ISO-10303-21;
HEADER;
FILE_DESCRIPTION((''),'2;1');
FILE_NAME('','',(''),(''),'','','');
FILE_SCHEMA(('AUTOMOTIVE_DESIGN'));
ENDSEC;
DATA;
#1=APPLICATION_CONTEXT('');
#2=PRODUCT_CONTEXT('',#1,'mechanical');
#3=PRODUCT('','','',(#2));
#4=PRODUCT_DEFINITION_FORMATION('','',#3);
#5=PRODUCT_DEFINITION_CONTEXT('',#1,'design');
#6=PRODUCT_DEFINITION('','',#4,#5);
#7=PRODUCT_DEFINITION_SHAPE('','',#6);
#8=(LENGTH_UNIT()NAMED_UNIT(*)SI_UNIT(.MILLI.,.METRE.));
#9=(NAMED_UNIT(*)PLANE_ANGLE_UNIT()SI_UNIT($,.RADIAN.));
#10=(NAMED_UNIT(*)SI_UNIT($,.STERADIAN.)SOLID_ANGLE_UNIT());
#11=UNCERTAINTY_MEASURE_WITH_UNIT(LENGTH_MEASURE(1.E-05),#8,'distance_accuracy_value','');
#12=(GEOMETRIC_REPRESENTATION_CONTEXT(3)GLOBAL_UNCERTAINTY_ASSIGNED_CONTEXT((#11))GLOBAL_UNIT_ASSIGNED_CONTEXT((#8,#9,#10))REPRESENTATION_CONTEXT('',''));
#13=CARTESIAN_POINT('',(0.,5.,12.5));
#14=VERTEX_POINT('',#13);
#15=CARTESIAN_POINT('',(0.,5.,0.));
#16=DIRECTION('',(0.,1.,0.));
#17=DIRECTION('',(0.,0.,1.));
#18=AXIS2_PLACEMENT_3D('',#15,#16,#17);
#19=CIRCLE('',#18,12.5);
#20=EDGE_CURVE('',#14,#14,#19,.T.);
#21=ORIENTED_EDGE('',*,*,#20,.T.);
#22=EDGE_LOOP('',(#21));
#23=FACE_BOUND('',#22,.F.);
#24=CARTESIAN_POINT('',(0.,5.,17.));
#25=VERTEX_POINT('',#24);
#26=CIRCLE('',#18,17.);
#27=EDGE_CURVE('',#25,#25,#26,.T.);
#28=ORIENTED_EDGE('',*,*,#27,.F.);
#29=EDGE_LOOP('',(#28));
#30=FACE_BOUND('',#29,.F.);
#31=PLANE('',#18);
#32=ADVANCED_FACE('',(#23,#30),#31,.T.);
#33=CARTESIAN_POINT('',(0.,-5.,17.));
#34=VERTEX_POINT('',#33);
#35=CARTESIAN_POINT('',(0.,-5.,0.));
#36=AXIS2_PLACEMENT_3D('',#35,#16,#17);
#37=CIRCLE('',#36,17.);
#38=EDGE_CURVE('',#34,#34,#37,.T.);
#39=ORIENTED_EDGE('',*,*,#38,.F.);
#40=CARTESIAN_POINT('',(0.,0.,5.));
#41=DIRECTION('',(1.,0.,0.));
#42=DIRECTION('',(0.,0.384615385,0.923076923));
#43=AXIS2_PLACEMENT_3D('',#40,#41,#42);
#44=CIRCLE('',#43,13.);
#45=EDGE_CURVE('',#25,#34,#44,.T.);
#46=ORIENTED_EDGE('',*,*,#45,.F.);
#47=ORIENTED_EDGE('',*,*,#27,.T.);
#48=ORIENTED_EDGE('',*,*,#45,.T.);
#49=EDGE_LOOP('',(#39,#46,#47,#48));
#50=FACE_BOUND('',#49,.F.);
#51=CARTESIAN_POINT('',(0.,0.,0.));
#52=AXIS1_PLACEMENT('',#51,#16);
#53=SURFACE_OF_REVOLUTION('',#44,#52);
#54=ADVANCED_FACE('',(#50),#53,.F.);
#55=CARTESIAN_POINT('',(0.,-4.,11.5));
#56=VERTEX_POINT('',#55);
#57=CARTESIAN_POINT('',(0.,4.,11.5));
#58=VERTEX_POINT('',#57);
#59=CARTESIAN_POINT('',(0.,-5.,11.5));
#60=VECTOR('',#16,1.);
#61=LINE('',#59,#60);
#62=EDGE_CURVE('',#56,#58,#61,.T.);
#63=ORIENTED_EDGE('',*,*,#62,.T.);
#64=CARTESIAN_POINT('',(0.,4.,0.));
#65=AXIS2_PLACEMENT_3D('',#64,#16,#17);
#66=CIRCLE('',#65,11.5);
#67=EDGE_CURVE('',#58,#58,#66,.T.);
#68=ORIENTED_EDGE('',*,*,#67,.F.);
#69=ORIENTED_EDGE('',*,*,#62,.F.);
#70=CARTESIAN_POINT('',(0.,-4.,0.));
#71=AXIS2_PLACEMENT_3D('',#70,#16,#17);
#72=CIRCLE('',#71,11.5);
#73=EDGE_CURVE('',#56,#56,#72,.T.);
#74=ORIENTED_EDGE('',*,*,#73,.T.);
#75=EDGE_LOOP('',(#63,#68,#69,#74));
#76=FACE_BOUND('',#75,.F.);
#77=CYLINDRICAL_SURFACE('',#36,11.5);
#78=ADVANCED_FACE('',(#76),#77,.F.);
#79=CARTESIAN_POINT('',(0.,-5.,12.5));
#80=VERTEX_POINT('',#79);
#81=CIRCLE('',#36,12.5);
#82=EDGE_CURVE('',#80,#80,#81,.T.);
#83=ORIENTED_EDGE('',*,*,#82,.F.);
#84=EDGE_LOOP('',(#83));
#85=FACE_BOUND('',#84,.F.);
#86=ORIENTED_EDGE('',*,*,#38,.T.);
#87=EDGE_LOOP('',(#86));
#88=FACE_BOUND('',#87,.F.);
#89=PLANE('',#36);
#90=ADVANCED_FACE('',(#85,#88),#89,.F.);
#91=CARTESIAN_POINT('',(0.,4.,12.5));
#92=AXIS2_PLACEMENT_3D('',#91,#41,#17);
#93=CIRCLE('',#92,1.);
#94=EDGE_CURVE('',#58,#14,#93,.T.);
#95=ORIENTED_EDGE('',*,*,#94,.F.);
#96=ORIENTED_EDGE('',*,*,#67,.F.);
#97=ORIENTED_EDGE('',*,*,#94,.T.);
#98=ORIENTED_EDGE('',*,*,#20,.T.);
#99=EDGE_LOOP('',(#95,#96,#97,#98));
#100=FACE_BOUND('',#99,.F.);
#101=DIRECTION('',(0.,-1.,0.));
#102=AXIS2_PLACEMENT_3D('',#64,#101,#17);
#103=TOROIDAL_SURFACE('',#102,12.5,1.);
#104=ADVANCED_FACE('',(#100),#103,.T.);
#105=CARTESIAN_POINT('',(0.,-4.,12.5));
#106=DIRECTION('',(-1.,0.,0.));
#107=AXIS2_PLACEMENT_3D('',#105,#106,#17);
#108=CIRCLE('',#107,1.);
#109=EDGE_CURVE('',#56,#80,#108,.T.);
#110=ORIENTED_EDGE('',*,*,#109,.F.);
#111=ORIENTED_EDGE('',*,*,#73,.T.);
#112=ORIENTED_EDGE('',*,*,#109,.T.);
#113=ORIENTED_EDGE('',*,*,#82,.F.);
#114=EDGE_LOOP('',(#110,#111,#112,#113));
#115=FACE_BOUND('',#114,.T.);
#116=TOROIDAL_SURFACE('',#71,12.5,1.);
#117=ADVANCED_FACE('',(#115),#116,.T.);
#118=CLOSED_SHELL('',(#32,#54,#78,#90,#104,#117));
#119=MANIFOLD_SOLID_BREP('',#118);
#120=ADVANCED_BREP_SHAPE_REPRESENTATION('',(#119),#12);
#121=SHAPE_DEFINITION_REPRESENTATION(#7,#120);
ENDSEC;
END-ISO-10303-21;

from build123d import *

# Parameters (mm, degrees)
F2_R = 1


with BuildPart() as f1:
    # F0 (on Right) → F1 (revolve)
    with BuildSketch(Plane.YZ):
        with BuildLine():
            Line((-5, 11.5), (5, 11.5))
            Line((5, 11.5), (5, 17))
            ThreePointArc((5, 17), (0, 18), (-5, 17))
            Line((-5, 17), (-5, 11.5))
        make_face()
    revolve(axis=Axis((0, 0, 0), (0, 1, 0)))

    # F2
    f2_edges = [f1.edges().sort_by_distance(p)[0] for p in [
        (0, -5, -11.5),
        (0, 5, -11.5),
        (0, 0, 11.5),
    ]]
    fillet(f2_edges, radius=F2_R)


solid = f1.part
